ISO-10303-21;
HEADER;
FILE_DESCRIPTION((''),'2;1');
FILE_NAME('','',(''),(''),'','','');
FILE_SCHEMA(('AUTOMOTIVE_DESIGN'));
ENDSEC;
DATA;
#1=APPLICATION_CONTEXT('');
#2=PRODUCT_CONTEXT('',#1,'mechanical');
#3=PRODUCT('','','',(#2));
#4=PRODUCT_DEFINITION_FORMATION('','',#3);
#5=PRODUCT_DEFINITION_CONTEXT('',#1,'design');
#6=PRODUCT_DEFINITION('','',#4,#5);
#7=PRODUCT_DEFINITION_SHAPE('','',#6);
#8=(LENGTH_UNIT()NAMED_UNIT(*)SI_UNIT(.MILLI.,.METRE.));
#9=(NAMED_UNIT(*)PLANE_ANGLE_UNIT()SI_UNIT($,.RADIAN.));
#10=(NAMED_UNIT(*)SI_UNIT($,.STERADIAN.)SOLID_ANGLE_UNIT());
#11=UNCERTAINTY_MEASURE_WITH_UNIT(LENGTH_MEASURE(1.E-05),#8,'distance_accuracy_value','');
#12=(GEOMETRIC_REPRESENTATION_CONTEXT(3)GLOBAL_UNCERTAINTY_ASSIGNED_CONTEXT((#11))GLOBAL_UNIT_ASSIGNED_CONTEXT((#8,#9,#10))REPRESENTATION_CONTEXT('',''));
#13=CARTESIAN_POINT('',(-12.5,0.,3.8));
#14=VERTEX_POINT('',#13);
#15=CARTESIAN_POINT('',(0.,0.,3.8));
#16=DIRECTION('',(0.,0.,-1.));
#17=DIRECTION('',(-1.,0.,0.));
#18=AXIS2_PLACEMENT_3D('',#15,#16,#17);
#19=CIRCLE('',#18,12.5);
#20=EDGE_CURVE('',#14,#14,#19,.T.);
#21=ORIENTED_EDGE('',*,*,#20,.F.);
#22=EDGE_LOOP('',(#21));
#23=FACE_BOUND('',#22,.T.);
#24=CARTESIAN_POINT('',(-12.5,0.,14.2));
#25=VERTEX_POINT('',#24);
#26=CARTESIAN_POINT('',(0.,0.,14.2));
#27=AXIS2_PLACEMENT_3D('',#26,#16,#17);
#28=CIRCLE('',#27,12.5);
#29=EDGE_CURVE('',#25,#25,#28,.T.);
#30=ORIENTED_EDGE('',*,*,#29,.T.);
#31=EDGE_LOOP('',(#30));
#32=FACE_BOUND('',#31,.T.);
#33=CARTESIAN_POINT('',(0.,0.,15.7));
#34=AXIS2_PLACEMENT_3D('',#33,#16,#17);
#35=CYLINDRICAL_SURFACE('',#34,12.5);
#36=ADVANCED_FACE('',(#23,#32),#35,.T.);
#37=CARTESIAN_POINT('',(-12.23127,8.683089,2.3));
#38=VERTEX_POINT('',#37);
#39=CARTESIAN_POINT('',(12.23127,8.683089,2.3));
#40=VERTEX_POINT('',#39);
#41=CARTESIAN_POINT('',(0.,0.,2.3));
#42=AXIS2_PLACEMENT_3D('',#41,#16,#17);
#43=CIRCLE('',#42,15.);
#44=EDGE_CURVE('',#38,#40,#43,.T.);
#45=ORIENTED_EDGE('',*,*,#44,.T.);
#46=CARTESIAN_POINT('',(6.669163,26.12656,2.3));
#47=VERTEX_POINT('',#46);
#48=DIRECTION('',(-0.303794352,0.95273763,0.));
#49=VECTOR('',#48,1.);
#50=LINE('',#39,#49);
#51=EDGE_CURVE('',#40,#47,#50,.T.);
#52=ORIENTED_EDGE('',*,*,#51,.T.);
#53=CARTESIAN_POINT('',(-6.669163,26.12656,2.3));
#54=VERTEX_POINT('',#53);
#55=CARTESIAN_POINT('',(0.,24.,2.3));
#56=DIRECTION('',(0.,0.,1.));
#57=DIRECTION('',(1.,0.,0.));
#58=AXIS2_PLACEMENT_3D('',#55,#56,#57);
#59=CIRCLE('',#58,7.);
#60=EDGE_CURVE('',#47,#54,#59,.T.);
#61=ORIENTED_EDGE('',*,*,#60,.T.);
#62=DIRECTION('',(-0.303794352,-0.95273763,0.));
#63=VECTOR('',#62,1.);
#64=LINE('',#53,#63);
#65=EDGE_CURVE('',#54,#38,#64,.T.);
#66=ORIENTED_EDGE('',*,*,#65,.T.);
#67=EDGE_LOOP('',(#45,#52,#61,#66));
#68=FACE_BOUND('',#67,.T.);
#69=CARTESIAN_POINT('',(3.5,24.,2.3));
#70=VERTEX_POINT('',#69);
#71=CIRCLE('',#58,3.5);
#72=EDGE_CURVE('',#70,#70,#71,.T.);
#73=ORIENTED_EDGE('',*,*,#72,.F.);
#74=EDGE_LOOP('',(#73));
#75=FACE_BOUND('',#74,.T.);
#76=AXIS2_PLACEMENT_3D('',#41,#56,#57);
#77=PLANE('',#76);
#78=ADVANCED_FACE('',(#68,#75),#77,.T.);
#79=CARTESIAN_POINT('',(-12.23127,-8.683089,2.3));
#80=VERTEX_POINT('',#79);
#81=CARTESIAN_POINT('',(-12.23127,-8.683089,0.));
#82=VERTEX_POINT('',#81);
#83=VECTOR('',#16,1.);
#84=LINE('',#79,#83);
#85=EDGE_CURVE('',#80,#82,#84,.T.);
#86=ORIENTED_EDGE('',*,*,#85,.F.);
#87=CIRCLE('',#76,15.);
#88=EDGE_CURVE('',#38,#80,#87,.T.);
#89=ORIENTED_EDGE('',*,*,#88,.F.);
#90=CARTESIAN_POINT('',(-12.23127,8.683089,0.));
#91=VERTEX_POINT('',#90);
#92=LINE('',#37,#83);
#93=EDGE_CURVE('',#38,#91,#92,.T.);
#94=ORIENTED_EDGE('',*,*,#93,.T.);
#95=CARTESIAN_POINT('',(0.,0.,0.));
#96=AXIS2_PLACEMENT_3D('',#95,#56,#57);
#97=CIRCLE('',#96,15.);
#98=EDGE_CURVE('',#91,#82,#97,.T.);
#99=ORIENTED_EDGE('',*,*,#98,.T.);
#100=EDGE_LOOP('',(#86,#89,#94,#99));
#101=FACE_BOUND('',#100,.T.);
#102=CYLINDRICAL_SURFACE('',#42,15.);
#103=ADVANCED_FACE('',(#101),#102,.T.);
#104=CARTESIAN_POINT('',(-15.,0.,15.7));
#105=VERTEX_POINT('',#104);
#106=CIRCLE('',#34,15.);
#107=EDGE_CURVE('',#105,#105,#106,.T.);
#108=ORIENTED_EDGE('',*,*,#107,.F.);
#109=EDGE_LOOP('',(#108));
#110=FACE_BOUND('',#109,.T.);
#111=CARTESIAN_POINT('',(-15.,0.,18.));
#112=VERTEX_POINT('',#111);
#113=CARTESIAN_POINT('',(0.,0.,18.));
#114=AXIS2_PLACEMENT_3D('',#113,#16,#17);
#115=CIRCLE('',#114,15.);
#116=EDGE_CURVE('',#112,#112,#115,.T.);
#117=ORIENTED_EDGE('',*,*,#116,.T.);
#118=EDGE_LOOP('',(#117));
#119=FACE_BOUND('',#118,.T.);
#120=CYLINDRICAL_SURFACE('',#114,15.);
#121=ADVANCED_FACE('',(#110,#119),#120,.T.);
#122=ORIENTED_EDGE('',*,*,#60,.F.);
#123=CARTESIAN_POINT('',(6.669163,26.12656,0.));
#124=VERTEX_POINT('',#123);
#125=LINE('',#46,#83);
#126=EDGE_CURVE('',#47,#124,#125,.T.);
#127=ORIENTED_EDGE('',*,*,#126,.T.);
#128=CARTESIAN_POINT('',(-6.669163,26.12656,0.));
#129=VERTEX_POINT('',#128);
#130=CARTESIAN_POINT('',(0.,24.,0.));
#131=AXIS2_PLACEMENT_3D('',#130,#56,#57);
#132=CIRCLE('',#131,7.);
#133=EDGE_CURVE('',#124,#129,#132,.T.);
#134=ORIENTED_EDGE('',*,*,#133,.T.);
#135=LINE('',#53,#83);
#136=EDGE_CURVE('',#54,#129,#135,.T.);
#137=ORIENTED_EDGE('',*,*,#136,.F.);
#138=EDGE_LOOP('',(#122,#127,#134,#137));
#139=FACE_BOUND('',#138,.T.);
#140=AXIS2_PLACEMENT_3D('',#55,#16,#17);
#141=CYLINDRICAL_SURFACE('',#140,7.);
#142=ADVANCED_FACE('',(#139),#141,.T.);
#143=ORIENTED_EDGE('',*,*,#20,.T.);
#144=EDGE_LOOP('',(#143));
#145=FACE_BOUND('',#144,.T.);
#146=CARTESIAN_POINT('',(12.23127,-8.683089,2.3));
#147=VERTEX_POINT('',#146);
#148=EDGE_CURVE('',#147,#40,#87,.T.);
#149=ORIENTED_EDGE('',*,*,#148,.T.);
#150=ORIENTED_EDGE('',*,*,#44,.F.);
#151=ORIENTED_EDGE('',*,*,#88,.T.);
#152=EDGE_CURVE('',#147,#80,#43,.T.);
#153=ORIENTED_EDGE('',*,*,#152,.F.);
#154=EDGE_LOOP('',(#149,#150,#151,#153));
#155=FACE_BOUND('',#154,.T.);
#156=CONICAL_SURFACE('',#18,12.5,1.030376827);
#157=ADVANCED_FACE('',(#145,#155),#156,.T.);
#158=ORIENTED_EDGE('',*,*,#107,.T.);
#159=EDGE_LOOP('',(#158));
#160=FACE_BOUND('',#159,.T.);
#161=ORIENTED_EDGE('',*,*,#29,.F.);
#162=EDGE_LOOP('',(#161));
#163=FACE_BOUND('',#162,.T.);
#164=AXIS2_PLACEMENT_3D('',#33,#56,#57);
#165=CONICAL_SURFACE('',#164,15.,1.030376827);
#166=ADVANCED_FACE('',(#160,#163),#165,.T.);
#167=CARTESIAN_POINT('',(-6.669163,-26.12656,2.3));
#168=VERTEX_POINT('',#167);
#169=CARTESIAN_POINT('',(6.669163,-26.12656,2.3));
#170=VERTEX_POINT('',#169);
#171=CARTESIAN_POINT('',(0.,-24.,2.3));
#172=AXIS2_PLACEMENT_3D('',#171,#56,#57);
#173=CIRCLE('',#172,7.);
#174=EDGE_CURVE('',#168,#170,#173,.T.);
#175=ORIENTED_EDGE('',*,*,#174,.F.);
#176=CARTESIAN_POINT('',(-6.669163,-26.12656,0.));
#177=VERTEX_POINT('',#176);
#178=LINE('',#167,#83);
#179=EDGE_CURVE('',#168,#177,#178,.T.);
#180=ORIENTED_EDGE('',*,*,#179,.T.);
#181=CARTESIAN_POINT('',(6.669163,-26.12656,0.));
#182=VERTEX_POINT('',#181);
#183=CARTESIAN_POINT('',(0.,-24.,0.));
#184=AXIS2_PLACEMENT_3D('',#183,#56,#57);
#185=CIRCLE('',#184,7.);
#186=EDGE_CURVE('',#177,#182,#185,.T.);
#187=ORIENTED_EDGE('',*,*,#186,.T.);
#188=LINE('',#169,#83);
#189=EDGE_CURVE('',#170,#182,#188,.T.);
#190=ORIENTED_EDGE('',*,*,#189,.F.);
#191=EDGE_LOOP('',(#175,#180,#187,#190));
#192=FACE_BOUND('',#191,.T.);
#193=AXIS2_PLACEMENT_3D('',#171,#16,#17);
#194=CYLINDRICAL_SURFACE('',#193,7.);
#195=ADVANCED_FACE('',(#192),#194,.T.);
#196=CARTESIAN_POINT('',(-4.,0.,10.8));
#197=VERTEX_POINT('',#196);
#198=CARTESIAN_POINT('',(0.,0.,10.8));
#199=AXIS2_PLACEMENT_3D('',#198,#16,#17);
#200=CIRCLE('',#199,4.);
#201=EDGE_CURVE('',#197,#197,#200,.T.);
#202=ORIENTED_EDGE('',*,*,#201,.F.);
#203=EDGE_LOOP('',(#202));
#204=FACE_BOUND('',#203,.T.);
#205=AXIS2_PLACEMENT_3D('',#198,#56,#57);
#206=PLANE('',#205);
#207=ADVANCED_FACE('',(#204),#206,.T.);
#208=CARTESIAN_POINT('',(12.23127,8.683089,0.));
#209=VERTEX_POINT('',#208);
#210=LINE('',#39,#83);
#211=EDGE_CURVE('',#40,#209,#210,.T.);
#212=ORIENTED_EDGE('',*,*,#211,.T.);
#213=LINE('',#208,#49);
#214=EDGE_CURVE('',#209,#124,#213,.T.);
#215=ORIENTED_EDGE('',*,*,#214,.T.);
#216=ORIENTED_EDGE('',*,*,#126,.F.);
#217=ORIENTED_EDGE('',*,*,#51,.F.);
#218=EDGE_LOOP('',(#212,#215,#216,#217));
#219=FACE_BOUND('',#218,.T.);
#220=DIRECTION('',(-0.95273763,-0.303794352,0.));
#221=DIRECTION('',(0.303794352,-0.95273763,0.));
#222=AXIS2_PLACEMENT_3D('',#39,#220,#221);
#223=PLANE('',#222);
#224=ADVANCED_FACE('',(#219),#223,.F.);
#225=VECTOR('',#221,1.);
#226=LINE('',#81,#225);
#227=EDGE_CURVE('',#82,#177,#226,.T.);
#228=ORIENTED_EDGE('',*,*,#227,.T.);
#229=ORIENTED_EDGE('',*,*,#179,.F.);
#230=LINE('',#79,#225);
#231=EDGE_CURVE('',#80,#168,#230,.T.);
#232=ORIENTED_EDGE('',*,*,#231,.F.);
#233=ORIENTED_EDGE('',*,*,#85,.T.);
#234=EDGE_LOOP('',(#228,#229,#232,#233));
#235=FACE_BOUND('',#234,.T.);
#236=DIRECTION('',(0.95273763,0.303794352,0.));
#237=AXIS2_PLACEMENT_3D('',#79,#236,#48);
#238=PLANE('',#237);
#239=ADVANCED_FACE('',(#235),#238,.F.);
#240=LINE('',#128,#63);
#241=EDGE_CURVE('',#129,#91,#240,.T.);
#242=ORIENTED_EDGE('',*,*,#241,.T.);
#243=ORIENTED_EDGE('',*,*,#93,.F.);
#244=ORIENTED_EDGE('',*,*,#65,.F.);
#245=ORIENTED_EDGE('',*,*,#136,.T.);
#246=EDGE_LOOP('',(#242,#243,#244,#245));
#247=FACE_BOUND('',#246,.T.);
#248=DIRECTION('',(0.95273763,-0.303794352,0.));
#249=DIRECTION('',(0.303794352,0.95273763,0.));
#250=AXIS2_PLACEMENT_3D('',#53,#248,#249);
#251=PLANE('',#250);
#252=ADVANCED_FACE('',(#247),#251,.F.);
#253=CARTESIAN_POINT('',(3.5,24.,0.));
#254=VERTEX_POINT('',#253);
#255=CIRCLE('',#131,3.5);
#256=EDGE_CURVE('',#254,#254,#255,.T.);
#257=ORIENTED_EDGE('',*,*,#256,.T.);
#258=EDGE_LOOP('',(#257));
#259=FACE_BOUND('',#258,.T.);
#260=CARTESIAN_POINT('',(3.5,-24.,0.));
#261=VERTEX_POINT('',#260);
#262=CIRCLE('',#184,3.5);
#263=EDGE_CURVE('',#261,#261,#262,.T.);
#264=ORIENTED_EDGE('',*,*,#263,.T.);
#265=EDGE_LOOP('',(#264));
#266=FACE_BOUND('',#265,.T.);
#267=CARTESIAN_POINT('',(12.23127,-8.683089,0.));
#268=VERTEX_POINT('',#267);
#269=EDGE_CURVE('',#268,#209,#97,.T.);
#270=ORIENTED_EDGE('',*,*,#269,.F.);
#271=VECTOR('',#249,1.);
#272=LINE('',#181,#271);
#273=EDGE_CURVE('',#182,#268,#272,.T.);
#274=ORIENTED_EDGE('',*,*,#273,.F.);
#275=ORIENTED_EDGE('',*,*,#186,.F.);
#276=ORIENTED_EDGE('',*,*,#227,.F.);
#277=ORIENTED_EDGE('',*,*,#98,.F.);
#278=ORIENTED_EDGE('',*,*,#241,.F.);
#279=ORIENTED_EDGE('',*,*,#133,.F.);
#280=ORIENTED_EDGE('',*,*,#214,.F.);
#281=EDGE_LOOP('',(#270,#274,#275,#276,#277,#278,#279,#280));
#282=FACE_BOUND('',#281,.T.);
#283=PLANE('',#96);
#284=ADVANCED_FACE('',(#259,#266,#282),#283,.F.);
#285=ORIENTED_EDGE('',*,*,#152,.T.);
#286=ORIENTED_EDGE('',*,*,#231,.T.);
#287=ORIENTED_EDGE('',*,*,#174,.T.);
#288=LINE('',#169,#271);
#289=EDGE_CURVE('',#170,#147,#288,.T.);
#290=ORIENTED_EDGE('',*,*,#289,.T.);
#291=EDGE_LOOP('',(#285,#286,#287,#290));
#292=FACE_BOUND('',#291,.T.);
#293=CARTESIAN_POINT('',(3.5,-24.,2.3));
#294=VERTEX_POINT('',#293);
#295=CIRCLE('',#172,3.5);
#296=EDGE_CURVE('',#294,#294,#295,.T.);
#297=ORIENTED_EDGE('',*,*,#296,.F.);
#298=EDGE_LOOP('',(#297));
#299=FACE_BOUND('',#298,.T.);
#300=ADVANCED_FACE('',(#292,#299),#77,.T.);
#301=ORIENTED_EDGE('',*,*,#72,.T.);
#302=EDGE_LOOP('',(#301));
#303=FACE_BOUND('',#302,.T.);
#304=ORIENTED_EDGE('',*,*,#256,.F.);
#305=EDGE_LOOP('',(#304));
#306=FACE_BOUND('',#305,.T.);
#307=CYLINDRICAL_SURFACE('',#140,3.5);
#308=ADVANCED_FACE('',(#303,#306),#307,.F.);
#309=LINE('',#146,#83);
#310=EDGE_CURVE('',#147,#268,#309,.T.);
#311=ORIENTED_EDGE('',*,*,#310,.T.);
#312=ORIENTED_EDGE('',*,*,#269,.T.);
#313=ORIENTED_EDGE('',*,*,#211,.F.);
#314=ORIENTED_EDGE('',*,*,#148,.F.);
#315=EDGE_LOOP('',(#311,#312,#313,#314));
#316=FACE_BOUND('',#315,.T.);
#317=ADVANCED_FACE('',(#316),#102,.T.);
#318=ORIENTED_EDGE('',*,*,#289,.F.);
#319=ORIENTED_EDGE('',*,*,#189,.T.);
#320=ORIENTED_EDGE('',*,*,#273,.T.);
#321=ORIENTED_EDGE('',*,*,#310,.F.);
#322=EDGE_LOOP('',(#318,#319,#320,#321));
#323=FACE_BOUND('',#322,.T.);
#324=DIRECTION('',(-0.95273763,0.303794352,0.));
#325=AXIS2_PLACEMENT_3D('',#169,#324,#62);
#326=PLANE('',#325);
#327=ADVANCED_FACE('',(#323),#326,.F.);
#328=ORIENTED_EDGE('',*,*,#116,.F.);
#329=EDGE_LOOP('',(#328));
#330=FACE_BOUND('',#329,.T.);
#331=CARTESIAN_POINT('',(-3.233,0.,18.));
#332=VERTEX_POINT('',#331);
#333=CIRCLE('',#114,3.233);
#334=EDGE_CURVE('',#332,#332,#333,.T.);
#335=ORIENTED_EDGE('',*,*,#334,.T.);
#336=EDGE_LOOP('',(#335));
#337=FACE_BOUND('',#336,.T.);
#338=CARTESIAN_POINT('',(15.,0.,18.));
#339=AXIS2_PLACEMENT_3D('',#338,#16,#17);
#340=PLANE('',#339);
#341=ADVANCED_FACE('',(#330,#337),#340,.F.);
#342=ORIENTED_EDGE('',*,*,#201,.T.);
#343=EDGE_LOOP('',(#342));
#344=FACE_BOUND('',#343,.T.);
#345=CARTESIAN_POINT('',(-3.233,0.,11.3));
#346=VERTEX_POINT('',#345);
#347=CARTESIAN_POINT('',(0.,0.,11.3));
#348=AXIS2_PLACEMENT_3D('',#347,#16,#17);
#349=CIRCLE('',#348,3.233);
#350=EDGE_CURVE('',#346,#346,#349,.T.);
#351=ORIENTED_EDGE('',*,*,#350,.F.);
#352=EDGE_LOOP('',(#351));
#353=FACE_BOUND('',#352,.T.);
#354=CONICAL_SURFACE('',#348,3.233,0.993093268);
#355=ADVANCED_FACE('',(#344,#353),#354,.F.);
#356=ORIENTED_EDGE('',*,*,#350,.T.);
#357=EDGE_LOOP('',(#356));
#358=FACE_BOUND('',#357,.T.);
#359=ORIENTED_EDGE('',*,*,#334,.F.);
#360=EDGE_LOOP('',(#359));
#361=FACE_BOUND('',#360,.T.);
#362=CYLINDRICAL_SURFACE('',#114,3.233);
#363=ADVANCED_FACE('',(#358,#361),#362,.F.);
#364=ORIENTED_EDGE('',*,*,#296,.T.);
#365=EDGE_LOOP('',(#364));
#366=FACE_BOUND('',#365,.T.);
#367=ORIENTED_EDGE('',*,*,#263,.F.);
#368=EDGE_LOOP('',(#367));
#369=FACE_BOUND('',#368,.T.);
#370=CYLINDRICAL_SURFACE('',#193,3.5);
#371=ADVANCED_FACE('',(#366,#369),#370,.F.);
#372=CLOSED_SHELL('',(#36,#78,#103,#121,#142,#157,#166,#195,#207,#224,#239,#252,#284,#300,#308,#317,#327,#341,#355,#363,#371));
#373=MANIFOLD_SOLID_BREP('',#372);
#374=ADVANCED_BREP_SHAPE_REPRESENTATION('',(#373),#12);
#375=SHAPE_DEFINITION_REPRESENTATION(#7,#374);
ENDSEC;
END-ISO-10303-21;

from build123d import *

# Parameters (mm, degrees)
SKETCH_1_R      = 3.5
EXTRUDE_1_DEPTH = 2.3
SKETCH_3_W      = 15
SKETCH_3_H      = 2.3


with BuildPart() as part:
    # 草图1 → 凸台-拉伸1 (new body)
    with BuildSketch(Plane.XY):
        with BuildLine():
            Line((-12.231269749, -8.683089331), (-6.66916341, -26.126560465))
            ThreePointArc((-6.66916341, -26.126560465), (0, -31), (6.66916341, -26.126560465))
            Line((6.66916341, -26.126560465), (12.231269749, -8.683089331))
            ThreePointArc((12.231269749, -8.683089331), (15, 0), (12.231269749, 8.683089331))
            Line((12.231269749, 8.683089331), (6.66916341, 26.126560465))
            ThreePointArc((6.66916341, 26.126560465), (0, 31), (-6.66916341, 26.126560465))
            Line((-6.66916341, 26.126560465), (-12.231269749, 8.683089331))
            ThreePointArc((-12.231269749, 8.683089331), (-15, 0), (-12.231269749, -8.683089331))
        make_face()
        with Locations((0, -24)):
            Circle(SKETCH_1_R, mode=Mode.SUBTRACT)
        with Locations((0, 24)):
            Circle(SKETCH_1_R, mode=Mode.SUBTRACT)
    extrude(amount=EXTRUDE_1_DEPTH)

    # 草图2 → 旋转1 (revolve)
    with BuildSketch(Plane(origin=(0, 0, 0), x_dir=(1, 0, 0), z_dir=(0, 1, 0)), mode=Mode.PRIVATE) as revolve_1_sk:
        Polygon((0, -2.3), (15, -2.3), (12.5, -3.8), (12.5, -14.2), (15, -15.7), (0, -15.7), align=None)
    revolve(revolve_1_sk.sketch.rotate(Axis((0, 0, 15.7), (0, 0, -1)), 180), axis=Axis((0, 0, 15.7), (0, 0, -1)))

    # 草图3 → 旋转2 (revolve)
    with BuildSketch(Plane(origin=(0, 0, 0), x_dir=(1, 0, 0), z_dir=(0, 1, 0)), mode=Mode.PRIVATE) as revolve_2_sk:
        with Locations((7.5, -16.85)):
            Rectangle(SKETCH_3_W, SKETCH_3_H)
    revolve(revolve_2_sk.sketch.rotate(Axis((0, 0, 18), (0, 0, -1)), 180), axis=Axis((0, 0, 18), (0, 0, -1)))

    # 草图4 → 切除-旋转1 (revolve, cut)
    with BuildSketch(Plane(origin=(0, 0, 0), x_dir=(1, 0, 0), z_dir=(0, 1, 0)), mode=Mode.PRIVATE) as cut_revolve_1_sk:
        Polygon((0, -10.8), (4, -10.8), (3.233, -11.3), (3.233, -18), (0, -18), align=None)
    revolve(cut_revolve_1_sk.sketch.rotate(Axis((0, 0, 18), (0, 0, -1)), 180), axis=Axis((0, 0, 18), (0, 0, -1)), mode=Mode.SUBTRACT)


solid = part.part
